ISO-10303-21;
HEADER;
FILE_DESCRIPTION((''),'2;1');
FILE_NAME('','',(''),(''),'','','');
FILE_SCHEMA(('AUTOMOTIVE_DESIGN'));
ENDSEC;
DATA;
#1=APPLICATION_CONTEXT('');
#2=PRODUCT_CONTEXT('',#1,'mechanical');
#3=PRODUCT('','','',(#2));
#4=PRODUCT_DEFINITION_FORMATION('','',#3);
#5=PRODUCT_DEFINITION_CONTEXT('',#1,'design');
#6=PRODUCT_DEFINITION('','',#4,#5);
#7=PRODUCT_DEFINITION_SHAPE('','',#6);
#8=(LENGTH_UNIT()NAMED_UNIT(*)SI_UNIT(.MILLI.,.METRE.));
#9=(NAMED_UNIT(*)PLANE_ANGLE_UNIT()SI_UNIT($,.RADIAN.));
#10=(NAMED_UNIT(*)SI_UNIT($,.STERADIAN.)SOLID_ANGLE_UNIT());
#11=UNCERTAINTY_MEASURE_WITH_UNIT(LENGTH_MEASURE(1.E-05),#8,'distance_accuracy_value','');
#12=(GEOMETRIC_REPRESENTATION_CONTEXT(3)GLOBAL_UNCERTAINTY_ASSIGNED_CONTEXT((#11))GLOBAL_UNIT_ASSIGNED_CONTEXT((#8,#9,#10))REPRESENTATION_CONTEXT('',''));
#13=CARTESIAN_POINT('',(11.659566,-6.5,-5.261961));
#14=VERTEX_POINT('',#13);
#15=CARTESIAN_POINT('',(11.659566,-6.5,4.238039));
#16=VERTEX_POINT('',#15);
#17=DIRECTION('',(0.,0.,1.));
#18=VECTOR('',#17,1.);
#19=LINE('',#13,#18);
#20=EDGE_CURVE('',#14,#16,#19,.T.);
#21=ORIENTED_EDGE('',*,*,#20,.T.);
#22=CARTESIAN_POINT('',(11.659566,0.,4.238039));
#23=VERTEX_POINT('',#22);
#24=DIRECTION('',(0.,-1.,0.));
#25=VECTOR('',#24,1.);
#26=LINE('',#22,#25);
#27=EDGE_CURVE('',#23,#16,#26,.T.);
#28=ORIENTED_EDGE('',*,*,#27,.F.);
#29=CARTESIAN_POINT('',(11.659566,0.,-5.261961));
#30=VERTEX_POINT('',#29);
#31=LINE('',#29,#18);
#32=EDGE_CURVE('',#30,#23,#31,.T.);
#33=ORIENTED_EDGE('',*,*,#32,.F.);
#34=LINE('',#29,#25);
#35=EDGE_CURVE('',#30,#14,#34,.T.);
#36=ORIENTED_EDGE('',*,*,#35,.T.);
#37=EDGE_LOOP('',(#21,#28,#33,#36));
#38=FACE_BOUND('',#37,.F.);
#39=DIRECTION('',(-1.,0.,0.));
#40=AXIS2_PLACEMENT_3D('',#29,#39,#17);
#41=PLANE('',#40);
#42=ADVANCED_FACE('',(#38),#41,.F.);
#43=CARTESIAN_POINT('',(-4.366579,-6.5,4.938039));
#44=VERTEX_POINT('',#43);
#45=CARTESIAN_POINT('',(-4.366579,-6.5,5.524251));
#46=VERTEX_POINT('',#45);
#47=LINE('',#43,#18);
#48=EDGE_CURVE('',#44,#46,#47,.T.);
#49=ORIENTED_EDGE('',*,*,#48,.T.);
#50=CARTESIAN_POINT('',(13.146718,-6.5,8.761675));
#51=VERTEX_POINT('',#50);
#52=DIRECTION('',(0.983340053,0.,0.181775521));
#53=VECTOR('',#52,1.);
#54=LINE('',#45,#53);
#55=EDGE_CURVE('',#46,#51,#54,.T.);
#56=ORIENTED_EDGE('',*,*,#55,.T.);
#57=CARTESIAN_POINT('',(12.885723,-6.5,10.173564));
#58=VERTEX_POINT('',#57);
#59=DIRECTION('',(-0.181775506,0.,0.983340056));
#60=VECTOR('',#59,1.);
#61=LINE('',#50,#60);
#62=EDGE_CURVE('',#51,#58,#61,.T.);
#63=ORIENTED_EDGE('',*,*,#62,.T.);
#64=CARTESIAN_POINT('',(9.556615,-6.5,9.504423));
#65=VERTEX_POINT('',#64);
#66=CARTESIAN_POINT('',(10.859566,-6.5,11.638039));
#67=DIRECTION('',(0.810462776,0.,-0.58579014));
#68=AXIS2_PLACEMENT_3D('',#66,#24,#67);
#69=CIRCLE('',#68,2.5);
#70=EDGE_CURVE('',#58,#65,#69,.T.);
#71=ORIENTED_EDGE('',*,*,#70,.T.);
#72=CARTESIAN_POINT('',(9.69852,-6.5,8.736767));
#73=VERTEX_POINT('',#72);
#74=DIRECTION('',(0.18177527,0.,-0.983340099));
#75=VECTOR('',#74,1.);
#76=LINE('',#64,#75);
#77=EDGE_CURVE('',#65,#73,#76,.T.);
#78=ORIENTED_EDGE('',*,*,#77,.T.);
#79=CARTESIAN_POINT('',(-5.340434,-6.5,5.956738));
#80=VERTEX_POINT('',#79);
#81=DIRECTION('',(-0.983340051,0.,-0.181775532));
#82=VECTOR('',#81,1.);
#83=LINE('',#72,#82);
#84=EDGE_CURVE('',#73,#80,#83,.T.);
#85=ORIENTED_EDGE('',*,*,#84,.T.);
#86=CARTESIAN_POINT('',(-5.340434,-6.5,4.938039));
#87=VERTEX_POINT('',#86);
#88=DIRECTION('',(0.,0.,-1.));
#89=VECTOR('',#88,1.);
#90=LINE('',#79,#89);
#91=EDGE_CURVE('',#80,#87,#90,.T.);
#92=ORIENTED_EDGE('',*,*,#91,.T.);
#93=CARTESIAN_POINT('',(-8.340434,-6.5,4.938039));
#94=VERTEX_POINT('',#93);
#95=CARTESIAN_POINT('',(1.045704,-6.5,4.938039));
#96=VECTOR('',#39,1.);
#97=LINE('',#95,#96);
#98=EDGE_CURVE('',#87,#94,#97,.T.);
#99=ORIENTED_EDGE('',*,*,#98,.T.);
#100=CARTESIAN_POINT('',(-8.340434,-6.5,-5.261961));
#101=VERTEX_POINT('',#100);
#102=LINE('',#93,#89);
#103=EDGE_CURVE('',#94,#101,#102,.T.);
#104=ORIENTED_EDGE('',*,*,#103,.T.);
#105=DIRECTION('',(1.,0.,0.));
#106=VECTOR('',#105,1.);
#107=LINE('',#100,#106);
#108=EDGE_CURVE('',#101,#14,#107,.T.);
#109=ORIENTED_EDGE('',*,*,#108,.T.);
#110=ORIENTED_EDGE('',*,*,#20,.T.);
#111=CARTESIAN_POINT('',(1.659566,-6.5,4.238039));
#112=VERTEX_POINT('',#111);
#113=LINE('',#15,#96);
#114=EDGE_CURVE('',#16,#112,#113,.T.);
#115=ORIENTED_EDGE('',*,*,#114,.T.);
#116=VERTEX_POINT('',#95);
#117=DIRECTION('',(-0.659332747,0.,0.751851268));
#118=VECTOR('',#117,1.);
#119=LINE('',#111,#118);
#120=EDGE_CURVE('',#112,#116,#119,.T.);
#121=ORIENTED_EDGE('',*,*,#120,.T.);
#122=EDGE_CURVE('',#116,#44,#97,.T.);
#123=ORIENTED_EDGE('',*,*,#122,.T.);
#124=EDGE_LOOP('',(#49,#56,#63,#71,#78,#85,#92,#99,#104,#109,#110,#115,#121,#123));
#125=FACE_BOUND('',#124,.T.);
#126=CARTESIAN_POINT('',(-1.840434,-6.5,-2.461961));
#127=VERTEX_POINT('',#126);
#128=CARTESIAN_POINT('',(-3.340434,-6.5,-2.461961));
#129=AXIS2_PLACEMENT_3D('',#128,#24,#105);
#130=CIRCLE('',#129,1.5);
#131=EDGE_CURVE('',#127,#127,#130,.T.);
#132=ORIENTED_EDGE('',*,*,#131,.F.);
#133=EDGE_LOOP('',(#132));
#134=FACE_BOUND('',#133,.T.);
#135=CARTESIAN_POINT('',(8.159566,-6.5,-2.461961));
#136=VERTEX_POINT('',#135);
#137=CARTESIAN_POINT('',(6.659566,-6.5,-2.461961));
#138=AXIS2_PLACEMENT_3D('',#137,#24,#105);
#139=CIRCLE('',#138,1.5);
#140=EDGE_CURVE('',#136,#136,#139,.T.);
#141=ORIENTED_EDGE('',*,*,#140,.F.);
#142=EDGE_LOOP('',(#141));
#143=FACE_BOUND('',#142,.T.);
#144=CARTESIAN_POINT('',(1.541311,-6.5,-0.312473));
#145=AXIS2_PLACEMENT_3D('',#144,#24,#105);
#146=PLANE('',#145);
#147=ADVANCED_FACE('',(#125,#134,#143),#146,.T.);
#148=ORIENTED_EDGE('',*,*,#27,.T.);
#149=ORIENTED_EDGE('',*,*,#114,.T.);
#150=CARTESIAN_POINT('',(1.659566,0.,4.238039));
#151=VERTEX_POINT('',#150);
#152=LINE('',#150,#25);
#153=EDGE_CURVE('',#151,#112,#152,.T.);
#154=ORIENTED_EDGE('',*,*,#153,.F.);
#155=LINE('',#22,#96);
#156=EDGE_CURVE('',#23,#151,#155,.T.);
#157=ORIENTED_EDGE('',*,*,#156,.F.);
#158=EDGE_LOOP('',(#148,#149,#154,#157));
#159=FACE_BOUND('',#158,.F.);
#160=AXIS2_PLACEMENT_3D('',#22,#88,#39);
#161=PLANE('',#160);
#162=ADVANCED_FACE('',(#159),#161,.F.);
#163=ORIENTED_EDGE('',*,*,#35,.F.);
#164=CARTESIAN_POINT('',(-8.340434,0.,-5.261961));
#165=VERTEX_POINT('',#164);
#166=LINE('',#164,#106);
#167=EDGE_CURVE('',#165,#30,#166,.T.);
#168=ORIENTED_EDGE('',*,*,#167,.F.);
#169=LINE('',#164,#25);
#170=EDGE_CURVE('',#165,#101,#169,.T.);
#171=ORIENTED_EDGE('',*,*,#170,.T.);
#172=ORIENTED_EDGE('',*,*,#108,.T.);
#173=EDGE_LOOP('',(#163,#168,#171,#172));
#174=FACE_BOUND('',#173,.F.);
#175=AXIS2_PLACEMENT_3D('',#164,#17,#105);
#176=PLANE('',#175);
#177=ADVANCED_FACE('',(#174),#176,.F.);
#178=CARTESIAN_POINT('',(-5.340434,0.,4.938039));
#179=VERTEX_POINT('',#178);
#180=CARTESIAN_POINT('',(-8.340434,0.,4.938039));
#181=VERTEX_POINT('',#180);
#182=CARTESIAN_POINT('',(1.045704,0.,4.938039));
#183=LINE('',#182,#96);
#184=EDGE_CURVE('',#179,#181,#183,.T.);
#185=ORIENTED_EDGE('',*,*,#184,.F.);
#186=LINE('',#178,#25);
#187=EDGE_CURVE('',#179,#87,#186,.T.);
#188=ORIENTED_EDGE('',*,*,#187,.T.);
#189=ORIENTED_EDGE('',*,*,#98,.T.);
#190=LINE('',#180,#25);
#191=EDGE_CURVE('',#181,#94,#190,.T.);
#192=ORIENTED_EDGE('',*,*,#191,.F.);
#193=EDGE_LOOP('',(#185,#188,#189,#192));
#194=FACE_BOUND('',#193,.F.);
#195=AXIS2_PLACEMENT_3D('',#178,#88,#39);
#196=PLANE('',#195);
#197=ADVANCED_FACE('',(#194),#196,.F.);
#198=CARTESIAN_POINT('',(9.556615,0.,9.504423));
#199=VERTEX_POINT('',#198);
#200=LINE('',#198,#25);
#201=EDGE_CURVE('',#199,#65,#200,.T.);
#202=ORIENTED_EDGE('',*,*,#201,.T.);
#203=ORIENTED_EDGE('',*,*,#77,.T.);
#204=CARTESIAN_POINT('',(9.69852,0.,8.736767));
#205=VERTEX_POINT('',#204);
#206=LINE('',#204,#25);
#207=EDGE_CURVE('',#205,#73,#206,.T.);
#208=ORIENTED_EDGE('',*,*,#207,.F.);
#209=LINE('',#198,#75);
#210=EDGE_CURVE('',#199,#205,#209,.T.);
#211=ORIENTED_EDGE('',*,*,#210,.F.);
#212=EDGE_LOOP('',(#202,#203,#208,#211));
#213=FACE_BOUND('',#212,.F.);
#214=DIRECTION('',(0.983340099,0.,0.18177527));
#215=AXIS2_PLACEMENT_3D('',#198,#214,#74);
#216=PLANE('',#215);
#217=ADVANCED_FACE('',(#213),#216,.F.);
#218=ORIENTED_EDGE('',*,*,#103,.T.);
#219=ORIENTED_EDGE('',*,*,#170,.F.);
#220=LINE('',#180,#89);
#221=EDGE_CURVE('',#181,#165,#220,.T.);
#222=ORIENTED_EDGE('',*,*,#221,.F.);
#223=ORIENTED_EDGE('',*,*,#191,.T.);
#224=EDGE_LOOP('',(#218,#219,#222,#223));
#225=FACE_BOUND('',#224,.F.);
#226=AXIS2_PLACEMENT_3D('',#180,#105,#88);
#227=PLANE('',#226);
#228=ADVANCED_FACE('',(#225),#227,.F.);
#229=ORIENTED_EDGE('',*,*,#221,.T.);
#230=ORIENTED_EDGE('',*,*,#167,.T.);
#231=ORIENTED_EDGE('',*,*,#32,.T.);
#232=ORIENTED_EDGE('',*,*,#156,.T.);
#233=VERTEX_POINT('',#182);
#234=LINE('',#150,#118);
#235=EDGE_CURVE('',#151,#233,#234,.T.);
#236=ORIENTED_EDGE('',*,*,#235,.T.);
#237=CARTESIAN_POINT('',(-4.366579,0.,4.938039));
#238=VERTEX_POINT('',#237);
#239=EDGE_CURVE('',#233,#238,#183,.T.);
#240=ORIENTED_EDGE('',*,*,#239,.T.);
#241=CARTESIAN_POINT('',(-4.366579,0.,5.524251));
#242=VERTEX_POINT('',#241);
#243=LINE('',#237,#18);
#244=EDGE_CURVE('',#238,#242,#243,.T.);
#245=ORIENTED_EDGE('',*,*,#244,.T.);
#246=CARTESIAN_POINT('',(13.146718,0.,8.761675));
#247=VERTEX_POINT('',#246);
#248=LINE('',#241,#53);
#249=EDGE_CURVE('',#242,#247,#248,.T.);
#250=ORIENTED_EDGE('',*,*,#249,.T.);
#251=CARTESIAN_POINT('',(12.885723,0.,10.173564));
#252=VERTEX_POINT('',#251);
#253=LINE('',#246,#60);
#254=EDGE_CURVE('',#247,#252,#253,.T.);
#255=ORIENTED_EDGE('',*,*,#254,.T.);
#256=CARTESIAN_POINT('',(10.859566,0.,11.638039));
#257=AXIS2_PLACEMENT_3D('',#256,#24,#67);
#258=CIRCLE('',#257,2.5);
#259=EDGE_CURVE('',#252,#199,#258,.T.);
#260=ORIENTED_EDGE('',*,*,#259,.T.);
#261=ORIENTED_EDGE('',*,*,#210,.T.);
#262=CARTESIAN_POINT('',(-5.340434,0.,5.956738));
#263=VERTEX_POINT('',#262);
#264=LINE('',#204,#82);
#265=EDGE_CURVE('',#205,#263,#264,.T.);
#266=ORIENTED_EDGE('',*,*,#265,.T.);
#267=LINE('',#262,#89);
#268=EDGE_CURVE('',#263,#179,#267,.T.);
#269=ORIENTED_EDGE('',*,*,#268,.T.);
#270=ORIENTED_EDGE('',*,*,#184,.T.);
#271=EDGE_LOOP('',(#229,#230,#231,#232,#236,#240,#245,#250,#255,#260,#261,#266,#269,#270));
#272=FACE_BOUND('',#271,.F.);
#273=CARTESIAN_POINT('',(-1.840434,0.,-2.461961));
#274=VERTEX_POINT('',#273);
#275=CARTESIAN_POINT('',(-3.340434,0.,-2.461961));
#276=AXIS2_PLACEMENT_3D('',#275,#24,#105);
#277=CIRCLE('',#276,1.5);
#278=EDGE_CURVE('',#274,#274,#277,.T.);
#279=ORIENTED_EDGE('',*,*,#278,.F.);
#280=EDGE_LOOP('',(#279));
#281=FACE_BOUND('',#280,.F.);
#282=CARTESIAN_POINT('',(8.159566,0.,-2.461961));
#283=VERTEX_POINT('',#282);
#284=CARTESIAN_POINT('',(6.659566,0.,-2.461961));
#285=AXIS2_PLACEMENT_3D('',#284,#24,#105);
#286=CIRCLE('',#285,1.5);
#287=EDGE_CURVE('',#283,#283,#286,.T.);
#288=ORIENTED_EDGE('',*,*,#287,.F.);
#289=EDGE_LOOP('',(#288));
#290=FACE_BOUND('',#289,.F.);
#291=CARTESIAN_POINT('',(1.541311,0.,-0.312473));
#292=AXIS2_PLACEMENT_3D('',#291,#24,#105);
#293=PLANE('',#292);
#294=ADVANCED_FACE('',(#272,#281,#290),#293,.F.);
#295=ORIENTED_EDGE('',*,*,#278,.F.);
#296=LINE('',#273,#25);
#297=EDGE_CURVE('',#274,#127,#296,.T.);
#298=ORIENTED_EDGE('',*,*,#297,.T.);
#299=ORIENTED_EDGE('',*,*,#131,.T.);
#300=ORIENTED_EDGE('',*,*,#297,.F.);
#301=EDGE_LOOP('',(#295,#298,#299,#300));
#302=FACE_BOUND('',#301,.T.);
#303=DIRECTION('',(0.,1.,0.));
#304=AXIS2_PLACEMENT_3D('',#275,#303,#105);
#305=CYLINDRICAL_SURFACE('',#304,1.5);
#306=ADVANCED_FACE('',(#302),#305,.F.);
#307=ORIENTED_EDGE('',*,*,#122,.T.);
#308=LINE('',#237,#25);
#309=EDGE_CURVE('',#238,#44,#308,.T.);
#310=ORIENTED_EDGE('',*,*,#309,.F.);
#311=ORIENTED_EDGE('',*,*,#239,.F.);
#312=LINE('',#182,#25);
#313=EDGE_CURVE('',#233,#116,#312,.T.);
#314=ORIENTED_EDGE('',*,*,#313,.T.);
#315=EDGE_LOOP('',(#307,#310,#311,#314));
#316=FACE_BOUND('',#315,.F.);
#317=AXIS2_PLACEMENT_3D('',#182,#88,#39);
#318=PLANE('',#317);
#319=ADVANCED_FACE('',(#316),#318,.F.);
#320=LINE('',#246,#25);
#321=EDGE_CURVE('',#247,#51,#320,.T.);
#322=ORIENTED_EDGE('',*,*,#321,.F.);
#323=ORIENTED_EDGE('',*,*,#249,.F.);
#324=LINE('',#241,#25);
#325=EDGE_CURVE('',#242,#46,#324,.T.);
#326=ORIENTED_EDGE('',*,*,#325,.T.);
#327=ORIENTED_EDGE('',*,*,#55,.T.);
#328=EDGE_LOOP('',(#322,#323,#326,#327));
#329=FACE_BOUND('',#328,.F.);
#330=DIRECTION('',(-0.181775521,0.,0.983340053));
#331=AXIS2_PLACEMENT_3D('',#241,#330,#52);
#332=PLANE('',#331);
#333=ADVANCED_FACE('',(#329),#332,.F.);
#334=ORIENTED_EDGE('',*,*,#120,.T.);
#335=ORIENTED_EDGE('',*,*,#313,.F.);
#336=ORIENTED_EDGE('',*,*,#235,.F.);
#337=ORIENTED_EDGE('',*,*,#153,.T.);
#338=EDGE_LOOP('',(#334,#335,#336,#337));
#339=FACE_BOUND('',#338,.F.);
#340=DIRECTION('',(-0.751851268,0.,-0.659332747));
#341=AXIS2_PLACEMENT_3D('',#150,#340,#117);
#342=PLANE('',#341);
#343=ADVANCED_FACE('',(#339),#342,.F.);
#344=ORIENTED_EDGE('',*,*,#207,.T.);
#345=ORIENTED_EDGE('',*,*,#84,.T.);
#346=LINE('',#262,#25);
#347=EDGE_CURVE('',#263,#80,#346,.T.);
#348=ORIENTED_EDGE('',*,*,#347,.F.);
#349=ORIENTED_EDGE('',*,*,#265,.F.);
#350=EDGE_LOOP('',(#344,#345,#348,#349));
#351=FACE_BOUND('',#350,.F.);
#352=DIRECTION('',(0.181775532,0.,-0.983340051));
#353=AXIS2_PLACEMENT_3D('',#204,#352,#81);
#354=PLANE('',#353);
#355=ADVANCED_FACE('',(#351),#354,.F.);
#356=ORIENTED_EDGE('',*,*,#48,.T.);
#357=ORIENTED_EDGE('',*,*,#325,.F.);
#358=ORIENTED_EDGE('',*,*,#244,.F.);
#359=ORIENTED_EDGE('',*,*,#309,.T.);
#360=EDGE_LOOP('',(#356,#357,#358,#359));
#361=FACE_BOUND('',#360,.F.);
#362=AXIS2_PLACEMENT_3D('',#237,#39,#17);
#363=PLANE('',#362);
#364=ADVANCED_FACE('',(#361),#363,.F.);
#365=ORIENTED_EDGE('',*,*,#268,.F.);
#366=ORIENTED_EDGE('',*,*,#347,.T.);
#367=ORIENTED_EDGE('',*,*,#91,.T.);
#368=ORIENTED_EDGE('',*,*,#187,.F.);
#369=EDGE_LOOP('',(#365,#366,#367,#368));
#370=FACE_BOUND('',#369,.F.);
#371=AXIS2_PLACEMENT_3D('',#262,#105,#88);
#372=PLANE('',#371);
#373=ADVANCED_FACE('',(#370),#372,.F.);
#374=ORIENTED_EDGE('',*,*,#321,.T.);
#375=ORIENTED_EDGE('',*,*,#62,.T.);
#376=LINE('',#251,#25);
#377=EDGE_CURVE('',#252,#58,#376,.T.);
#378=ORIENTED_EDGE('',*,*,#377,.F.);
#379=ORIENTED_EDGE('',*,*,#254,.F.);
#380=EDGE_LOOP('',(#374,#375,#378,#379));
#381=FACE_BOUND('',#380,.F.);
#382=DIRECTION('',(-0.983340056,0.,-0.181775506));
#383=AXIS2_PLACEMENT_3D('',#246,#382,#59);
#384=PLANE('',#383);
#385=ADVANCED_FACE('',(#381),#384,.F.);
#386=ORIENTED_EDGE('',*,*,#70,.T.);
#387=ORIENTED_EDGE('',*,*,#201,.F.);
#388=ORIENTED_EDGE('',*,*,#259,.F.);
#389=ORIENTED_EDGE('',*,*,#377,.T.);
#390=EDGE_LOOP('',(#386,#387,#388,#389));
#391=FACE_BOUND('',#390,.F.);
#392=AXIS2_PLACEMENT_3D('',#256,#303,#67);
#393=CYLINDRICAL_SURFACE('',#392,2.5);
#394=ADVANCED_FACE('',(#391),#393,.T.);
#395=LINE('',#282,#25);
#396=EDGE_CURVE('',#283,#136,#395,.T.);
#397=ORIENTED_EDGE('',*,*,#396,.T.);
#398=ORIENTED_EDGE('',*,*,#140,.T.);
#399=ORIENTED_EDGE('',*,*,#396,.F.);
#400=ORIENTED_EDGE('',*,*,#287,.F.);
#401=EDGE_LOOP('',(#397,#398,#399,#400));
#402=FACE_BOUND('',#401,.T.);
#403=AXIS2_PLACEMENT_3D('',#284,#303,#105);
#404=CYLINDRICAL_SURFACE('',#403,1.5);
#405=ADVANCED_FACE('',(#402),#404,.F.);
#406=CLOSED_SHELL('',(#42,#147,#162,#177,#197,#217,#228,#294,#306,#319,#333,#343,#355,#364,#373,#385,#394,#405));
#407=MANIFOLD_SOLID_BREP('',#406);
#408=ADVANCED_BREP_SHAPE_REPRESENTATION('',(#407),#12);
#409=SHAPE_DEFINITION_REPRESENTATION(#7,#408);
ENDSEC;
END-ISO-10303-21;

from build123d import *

# Parameters (mm, degrees)
F0_R     = 1.5
F1_DEPTH = 6.5


with BuildPart() as f1:
    # F0 (on Front) → F1 (new body)
    with BuildSketch(Plane.XZ):
        Polygon((-8.340434, 4.938039), (-8.340434, -5.261961), (11.659566, -5.261961), (11.659566, 4.238039), (1.659566, 4.238039), (1.045704, 4.938039), (-4.366579, 4.938039), (-5.340434, 4.938039), align=None)
        with Locations((-3.340434, -2.461961)):
            Circle(F0_R, mode=Mode.SUBTRACT)
        with Locations((6.659566, -2.461961)):
            Circle(F0_R, mode=Mode.SUBTRACT)
        with BuildLine():
            Line((-5.340434, 5.956738), (-5.340434, 4.938039))
            Line((-5.340434, 4.938039), (-4.366579, 4.938039))
            Line((-4.366579, 4.938039), (-4.366579, 5.524251))
            Line((-4.366579, 5.524251), (13.146718, 8.761675))
            Line((13.146718, 8.761675), (12.885723, 10.173564))
            ThreePointArc((12.885723, 10.173564), (10.366926, 14.08902), (9.556615, 9.504423))
            Line((9.556615, 9.504423), (9.69852, 8.736767))
            Line((9.69852, 8.736767), (-5.340434, 5.956738))
        make_face()
    extrude(amount=F1_DEPTH)


solid = f1.part
